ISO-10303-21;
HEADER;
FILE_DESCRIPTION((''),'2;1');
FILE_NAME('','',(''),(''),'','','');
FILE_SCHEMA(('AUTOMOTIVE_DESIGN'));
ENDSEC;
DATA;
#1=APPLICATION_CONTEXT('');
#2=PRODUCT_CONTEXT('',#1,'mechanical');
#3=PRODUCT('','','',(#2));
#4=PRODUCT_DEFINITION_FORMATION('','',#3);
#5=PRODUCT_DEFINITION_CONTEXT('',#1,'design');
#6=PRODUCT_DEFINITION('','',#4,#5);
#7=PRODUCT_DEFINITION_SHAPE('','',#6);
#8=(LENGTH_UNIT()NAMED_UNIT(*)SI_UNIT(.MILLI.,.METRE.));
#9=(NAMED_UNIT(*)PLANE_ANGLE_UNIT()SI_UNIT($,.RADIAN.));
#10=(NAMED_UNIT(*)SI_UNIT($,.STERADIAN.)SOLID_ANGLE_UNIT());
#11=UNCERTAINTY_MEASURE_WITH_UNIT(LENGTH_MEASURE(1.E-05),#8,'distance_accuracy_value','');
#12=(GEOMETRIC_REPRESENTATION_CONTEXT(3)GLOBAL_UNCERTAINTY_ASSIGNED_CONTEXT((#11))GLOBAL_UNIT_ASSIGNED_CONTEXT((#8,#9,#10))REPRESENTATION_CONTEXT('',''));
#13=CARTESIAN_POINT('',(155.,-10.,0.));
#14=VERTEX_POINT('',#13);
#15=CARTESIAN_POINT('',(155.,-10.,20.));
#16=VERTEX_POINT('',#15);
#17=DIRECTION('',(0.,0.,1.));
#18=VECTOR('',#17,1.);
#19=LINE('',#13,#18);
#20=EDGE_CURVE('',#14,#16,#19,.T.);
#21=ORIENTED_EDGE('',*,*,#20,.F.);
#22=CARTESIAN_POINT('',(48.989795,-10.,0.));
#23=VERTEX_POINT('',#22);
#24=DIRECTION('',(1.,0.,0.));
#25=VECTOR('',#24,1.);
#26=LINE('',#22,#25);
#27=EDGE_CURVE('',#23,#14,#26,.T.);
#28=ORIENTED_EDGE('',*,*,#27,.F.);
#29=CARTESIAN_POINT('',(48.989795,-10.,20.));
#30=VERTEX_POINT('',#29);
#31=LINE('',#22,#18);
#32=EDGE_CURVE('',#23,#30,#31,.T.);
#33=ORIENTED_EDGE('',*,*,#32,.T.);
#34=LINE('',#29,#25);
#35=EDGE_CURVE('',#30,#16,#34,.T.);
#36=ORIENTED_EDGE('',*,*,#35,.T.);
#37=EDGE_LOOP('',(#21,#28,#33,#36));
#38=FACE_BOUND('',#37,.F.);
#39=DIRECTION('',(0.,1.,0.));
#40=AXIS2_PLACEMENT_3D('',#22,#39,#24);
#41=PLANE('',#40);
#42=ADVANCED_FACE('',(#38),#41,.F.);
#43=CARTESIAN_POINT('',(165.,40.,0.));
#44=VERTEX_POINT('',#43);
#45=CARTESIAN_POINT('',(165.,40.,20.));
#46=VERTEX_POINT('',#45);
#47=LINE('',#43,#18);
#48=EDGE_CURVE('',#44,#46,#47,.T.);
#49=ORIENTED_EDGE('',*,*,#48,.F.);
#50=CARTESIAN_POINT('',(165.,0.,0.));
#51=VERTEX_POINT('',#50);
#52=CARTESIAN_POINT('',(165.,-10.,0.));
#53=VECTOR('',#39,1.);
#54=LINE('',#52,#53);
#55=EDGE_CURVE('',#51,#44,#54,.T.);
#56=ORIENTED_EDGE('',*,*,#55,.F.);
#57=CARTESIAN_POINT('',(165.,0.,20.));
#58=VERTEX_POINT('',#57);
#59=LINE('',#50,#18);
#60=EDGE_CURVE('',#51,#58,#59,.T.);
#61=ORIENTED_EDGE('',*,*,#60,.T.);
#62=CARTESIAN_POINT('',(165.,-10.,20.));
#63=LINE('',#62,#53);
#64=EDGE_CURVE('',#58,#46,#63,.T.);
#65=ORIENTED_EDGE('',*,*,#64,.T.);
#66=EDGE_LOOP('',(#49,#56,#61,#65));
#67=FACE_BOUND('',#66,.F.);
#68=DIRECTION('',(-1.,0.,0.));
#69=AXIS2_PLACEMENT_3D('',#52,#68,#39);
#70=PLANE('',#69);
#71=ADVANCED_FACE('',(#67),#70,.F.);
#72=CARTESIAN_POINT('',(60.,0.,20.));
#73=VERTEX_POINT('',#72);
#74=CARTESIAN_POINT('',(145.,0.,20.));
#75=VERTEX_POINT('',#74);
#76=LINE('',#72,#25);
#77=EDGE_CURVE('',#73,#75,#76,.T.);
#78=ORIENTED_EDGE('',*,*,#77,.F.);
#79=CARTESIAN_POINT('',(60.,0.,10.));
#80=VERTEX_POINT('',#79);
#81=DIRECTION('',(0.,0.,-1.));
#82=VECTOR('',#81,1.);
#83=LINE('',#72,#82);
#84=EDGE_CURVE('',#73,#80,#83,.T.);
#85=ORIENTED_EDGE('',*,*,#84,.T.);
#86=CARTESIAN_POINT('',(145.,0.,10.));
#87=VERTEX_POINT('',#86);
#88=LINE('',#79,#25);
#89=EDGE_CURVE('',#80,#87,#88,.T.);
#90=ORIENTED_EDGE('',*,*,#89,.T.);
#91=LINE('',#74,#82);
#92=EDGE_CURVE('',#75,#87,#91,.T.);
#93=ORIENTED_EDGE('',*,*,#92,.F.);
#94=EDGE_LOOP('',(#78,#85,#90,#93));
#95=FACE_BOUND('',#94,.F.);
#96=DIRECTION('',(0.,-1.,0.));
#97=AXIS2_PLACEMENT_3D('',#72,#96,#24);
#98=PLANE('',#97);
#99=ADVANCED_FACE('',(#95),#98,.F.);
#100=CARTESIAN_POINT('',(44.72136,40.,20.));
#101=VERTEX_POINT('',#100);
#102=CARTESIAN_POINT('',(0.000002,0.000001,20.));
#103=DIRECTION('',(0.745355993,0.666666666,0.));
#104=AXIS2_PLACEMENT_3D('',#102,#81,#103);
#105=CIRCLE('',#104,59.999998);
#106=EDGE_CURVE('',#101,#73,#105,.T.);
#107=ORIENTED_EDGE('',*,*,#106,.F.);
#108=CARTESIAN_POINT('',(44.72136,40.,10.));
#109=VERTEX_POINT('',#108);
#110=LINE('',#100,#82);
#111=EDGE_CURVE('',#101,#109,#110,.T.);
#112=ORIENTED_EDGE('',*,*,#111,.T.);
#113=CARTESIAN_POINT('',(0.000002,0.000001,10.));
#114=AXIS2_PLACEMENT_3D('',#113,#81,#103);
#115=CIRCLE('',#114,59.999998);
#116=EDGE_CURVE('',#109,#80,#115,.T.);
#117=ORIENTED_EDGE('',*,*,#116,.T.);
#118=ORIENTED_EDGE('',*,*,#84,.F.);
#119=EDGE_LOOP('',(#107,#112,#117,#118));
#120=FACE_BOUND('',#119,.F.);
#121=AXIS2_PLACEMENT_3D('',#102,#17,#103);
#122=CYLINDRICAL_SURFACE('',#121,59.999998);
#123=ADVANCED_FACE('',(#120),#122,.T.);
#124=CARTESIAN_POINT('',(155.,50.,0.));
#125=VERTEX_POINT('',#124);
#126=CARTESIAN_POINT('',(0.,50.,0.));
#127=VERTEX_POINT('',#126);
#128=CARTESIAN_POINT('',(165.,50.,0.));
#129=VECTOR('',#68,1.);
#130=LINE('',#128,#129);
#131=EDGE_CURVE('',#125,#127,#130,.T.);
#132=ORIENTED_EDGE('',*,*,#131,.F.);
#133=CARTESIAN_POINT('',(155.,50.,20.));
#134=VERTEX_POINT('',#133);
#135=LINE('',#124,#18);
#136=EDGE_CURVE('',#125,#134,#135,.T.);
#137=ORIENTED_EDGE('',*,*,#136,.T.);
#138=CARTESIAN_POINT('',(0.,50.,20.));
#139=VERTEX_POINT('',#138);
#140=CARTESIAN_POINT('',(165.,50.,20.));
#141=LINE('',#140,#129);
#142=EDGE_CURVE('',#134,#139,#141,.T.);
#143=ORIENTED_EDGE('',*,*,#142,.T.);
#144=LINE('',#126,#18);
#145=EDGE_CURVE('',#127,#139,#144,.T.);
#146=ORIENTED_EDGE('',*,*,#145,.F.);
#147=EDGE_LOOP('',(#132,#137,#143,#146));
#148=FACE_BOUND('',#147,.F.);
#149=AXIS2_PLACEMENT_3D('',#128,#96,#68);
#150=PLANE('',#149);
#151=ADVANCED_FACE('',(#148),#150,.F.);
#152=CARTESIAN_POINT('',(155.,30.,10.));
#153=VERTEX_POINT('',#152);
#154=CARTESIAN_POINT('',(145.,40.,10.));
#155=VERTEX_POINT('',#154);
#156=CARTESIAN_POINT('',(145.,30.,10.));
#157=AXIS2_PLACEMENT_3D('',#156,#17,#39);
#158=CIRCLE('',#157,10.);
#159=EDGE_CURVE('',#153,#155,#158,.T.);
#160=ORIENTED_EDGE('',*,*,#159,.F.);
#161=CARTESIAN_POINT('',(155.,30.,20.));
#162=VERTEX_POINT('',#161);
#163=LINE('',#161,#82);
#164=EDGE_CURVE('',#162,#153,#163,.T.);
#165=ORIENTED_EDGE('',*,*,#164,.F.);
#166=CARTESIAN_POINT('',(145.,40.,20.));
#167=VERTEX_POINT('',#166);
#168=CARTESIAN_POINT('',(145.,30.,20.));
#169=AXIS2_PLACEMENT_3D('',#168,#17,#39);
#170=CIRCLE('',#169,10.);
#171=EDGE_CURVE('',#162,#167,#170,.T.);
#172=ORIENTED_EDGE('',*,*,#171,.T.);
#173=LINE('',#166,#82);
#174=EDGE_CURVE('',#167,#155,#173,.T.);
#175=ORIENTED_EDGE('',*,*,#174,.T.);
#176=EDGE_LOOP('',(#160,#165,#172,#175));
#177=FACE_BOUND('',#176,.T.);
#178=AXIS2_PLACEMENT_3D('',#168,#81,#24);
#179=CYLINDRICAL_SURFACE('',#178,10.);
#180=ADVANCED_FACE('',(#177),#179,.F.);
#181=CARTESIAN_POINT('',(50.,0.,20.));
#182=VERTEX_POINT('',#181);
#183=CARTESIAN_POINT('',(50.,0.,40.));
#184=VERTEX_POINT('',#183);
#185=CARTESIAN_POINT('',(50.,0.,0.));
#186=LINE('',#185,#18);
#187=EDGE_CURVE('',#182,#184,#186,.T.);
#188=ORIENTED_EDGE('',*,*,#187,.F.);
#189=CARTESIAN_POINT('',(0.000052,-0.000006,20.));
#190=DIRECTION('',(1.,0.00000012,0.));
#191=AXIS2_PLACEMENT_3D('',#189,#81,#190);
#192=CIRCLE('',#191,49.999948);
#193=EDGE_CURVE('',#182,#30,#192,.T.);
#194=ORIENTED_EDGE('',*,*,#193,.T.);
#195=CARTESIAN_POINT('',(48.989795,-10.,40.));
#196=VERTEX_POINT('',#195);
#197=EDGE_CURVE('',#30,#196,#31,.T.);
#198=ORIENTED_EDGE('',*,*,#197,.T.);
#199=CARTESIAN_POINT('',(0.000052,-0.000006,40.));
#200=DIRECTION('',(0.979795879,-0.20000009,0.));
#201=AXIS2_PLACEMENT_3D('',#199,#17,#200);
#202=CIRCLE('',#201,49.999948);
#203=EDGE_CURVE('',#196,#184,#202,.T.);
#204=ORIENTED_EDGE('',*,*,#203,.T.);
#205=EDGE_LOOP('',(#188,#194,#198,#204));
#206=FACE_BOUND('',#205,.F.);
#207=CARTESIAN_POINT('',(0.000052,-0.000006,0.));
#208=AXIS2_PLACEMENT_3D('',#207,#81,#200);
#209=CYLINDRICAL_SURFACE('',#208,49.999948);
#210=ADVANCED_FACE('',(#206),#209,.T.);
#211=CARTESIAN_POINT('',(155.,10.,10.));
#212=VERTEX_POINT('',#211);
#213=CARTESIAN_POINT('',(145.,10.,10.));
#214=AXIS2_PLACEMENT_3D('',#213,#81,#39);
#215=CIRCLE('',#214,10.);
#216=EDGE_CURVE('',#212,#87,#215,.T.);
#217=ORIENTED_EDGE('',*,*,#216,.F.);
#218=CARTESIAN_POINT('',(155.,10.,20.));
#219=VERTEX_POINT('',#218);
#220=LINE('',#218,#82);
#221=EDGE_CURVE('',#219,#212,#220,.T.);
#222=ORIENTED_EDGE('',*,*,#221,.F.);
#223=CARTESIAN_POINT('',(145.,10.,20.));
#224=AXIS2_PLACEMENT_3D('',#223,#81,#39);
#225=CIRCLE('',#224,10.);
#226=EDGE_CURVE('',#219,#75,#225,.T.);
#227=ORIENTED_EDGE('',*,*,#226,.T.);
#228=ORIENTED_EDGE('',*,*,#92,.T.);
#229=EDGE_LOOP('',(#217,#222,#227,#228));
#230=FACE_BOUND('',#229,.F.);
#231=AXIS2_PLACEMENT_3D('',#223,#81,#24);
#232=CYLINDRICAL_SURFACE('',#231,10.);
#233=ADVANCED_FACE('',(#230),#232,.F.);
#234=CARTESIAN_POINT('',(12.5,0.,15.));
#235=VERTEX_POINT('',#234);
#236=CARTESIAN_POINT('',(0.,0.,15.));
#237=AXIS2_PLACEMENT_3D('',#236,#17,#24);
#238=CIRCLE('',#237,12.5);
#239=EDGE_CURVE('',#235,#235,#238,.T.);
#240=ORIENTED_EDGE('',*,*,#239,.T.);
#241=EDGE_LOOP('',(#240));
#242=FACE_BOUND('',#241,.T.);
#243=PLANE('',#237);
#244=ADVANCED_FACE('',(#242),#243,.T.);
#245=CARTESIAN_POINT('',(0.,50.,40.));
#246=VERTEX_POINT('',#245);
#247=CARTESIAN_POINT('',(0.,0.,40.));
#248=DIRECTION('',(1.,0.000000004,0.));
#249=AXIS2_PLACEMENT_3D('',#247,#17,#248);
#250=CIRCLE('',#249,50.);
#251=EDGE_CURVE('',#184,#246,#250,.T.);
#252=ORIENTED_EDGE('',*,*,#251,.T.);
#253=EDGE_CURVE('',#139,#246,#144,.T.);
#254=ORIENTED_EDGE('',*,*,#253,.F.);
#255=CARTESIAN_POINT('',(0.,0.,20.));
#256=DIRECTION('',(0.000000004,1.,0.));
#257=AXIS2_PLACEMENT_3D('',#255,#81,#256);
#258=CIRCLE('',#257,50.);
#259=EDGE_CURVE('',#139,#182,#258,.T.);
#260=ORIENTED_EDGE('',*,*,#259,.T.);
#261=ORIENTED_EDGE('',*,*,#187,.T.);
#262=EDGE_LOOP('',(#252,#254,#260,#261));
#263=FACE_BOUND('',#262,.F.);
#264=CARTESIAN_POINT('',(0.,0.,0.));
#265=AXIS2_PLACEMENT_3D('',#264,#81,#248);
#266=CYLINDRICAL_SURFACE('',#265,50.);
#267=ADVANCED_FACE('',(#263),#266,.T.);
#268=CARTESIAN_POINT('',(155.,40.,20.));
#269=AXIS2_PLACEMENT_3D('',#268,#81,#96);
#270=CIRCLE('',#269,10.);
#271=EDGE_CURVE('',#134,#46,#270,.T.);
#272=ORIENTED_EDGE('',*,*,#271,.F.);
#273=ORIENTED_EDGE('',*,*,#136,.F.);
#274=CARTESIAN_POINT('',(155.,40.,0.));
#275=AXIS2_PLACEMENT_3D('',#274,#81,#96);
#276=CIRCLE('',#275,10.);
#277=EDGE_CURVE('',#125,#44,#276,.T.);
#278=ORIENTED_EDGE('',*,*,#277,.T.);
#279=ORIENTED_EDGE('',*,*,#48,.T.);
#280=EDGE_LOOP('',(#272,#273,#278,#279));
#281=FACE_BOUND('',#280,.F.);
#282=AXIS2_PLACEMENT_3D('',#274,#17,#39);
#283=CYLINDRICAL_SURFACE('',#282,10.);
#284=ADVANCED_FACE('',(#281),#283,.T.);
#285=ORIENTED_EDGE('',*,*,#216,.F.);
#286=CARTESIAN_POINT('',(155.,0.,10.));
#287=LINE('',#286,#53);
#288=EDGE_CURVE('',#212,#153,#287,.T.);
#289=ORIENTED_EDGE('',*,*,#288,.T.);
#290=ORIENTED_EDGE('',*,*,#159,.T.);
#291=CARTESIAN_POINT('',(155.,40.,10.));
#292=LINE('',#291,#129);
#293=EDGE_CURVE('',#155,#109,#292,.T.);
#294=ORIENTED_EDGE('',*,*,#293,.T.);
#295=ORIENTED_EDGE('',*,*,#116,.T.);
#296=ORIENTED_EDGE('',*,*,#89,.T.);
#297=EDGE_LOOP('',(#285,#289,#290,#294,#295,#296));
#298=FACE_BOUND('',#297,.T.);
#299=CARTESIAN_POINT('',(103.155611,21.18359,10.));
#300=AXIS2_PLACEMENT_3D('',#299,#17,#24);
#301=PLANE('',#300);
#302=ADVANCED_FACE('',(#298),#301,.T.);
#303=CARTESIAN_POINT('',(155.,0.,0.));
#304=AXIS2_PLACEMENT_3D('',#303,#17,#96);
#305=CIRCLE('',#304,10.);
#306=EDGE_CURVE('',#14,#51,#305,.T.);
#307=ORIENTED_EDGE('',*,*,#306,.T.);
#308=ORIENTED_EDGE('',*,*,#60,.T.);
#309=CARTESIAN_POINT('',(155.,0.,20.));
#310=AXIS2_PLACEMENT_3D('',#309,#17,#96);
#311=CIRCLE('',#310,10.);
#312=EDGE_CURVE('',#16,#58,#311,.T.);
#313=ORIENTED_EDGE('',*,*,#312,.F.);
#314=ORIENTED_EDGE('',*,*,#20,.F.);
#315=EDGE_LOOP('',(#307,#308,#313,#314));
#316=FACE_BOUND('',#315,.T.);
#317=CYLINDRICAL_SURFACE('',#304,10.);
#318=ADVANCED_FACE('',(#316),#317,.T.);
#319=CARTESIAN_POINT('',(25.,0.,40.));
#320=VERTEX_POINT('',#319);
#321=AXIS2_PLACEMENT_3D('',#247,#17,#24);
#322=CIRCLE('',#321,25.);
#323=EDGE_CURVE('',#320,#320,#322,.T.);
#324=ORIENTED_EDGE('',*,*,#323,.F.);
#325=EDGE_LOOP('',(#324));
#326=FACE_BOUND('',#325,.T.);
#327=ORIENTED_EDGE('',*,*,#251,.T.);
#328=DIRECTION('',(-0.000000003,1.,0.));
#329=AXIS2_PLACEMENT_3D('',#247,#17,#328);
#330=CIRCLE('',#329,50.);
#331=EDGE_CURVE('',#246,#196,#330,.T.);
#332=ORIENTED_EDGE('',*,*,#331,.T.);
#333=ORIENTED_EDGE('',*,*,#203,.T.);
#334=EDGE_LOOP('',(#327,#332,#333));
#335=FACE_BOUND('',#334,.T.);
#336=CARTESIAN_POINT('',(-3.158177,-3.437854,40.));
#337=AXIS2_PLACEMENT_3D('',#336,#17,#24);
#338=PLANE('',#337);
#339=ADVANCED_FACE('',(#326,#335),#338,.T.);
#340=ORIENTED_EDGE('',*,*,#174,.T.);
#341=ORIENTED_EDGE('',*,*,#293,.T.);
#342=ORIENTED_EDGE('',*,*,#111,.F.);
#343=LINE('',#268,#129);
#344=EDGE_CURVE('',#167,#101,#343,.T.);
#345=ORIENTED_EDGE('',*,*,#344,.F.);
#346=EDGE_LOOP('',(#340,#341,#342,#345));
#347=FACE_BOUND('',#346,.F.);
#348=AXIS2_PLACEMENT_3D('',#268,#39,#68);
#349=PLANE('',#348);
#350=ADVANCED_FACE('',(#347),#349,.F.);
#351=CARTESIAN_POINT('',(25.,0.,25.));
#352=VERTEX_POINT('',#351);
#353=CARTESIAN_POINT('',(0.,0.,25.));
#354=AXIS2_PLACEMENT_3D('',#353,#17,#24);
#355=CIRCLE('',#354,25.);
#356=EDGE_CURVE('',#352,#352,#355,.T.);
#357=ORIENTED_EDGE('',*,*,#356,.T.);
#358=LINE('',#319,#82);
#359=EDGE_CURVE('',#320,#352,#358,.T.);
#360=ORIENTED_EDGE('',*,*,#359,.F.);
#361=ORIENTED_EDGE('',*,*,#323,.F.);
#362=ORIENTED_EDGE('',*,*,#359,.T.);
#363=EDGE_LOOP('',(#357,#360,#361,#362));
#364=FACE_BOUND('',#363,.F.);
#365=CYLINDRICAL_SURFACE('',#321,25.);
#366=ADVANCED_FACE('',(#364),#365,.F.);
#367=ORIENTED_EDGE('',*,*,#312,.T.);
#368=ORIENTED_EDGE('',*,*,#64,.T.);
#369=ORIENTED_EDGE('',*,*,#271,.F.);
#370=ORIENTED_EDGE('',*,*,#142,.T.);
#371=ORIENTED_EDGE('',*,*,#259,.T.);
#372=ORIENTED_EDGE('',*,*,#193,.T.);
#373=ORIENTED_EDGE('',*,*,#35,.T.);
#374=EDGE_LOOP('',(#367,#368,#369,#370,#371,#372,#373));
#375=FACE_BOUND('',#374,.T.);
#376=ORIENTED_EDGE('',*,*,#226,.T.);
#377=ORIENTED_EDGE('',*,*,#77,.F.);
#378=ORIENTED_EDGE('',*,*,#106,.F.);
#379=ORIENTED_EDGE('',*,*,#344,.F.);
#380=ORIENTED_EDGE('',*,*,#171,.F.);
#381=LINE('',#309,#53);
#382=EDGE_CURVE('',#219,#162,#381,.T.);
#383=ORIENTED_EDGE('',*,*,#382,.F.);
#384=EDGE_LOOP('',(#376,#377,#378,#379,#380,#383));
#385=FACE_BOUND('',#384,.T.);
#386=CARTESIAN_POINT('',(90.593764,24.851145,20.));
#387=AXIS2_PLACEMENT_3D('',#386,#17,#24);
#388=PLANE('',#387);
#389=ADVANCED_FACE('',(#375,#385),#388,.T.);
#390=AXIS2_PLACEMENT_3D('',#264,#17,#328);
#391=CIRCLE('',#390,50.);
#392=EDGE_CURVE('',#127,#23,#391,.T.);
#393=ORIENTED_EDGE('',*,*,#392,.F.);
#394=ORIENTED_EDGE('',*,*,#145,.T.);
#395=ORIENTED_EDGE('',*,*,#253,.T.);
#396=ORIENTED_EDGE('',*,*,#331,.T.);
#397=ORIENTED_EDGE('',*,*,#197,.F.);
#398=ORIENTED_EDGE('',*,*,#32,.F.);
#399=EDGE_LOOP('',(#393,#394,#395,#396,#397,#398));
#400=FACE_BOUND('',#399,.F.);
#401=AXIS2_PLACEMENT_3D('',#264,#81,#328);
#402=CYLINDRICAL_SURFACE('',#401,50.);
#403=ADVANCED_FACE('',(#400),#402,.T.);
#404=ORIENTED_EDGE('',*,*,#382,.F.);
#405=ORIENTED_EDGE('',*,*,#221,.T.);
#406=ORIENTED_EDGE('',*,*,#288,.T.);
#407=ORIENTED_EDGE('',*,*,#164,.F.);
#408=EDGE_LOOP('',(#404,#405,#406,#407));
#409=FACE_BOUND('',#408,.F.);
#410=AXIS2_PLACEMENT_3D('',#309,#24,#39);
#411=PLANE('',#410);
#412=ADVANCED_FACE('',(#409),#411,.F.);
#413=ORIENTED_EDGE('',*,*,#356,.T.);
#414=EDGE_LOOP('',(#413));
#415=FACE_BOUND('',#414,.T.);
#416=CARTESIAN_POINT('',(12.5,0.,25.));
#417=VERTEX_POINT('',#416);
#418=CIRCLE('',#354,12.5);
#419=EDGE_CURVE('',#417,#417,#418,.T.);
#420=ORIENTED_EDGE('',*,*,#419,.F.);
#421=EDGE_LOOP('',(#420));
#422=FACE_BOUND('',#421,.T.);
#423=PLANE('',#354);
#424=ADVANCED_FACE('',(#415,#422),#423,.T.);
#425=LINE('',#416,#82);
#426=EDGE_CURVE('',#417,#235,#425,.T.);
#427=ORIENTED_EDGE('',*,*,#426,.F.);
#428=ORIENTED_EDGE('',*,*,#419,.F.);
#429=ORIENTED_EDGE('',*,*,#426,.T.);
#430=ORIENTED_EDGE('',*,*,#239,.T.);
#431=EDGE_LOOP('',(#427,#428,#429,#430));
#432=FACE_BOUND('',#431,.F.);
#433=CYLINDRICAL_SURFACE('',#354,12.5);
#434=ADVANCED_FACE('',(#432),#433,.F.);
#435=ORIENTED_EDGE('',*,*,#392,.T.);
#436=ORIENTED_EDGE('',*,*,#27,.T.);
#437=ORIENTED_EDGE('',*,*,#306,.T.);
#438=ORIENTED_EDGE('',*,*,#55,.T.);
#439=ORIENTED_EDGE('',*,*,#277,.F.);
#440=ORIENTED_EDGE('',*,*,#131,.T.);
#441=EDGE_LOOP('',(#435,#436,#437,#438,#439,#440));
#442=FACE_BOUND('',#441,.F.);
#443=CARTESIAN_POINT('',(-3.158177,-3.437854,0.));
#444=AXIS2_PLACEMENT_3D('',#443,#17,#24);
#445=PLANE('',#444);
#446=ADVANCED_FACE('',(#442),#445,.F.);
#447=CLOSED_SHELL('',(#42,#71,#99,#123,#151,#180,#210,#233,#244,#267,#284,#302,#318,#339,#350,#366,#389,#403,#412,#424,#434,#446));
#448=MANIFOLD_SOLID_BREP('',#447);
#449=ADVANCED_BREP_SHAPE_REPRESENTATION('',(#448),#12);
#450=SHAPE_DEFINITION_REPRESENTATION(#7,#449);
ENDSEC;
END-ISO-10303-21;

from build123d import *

# Parameters (mm, degrees)
F1_DEPTH = 20
F2_DEPTH = 40
F3_R     = 25
F4_DEPTH = 15
F5_R     = 12.5
F6_DEPTH = 10
F8_DEPTH = 10
F9_R     = 10


with BuildPart() as f1:
    # F0 (on Top) → F1 (new body)
    with BuildSketch(Plane.XY):
        with BuildLine():
            ThreePointArc((0, 50), (35.355339, 35.355339), (50, 0))
            ThreePointArc((50, 0), (49.746808, -5.025448), (48.989795, -10))
            Line((48.989795, -10), (165, -10))
            Line((165, -10), (165, 50))
            Line((165, 50), (0, 50))
        make_face()
    extrude(amount=F1_DEPTH)

    # F0 (on Top) → F2 (join)
    with BuildSketch(Plane.XY):
        with BuildLine():
            Line((0, -10), (0, 50))
            ThreePointArc((0, 50), (-38.729833, -31.622777), (48.989795, -10))
            Line((48.989795, -10), (0, -10))
        make_face()
        with BuildLine():
            ThreePointArc((48.989795, -10), (49.746808, -5.025448), (50, 0))
            ThreePointArc((50, 0), (35.355339, 35.355339), (0, 50))
            Line((0, 50), (0, -10))
            Line((0, -10), (48.989795, -10))
        make_face()
    extrude(amount=F2_DEPTH)

    # F3 (on face) → F4 (cut)
    with BuildSketch(Plane.XY.offset(40)):
        Circle(F3_R)
    extrude(amount=-F4_DEPTH, mode=Mode.SUBTRACT)

    # F5 (on face) → F6 (cut)
    with BuildSketch(Plane.XY.offset(25)):
        Circle(F5_R)
    extrude(amount=-F6_DEPTH, mode=Mode.SUBTRACT)

    # F7 (on face) → F8 (cut)
    with BuildSketch(Plane.XY.offset(20)):
        with BuildLine():
            Line((155, 0), (155, 40))
            Line((155, 40), (44.72136, 40))
            ThreePointArc((44.72136, 40), (56.050342, 21.409325), (60, 0))
            Line((60, 0), (155, 0))
        make_face()
    extrude(amount=-F8_DEPTH, mode=Mode.SUBTRACT)

    # F9
    f9_edges = [f1.edges().sort_by_distance(p)[0] for p in [
        (165, 50, 10),
        (165, -10, 10),
        (155, 40, 15),
        (155, 0, 15),
    ]]
    fillet(f9_edges, radius=F9_R)


solid = f1.part
